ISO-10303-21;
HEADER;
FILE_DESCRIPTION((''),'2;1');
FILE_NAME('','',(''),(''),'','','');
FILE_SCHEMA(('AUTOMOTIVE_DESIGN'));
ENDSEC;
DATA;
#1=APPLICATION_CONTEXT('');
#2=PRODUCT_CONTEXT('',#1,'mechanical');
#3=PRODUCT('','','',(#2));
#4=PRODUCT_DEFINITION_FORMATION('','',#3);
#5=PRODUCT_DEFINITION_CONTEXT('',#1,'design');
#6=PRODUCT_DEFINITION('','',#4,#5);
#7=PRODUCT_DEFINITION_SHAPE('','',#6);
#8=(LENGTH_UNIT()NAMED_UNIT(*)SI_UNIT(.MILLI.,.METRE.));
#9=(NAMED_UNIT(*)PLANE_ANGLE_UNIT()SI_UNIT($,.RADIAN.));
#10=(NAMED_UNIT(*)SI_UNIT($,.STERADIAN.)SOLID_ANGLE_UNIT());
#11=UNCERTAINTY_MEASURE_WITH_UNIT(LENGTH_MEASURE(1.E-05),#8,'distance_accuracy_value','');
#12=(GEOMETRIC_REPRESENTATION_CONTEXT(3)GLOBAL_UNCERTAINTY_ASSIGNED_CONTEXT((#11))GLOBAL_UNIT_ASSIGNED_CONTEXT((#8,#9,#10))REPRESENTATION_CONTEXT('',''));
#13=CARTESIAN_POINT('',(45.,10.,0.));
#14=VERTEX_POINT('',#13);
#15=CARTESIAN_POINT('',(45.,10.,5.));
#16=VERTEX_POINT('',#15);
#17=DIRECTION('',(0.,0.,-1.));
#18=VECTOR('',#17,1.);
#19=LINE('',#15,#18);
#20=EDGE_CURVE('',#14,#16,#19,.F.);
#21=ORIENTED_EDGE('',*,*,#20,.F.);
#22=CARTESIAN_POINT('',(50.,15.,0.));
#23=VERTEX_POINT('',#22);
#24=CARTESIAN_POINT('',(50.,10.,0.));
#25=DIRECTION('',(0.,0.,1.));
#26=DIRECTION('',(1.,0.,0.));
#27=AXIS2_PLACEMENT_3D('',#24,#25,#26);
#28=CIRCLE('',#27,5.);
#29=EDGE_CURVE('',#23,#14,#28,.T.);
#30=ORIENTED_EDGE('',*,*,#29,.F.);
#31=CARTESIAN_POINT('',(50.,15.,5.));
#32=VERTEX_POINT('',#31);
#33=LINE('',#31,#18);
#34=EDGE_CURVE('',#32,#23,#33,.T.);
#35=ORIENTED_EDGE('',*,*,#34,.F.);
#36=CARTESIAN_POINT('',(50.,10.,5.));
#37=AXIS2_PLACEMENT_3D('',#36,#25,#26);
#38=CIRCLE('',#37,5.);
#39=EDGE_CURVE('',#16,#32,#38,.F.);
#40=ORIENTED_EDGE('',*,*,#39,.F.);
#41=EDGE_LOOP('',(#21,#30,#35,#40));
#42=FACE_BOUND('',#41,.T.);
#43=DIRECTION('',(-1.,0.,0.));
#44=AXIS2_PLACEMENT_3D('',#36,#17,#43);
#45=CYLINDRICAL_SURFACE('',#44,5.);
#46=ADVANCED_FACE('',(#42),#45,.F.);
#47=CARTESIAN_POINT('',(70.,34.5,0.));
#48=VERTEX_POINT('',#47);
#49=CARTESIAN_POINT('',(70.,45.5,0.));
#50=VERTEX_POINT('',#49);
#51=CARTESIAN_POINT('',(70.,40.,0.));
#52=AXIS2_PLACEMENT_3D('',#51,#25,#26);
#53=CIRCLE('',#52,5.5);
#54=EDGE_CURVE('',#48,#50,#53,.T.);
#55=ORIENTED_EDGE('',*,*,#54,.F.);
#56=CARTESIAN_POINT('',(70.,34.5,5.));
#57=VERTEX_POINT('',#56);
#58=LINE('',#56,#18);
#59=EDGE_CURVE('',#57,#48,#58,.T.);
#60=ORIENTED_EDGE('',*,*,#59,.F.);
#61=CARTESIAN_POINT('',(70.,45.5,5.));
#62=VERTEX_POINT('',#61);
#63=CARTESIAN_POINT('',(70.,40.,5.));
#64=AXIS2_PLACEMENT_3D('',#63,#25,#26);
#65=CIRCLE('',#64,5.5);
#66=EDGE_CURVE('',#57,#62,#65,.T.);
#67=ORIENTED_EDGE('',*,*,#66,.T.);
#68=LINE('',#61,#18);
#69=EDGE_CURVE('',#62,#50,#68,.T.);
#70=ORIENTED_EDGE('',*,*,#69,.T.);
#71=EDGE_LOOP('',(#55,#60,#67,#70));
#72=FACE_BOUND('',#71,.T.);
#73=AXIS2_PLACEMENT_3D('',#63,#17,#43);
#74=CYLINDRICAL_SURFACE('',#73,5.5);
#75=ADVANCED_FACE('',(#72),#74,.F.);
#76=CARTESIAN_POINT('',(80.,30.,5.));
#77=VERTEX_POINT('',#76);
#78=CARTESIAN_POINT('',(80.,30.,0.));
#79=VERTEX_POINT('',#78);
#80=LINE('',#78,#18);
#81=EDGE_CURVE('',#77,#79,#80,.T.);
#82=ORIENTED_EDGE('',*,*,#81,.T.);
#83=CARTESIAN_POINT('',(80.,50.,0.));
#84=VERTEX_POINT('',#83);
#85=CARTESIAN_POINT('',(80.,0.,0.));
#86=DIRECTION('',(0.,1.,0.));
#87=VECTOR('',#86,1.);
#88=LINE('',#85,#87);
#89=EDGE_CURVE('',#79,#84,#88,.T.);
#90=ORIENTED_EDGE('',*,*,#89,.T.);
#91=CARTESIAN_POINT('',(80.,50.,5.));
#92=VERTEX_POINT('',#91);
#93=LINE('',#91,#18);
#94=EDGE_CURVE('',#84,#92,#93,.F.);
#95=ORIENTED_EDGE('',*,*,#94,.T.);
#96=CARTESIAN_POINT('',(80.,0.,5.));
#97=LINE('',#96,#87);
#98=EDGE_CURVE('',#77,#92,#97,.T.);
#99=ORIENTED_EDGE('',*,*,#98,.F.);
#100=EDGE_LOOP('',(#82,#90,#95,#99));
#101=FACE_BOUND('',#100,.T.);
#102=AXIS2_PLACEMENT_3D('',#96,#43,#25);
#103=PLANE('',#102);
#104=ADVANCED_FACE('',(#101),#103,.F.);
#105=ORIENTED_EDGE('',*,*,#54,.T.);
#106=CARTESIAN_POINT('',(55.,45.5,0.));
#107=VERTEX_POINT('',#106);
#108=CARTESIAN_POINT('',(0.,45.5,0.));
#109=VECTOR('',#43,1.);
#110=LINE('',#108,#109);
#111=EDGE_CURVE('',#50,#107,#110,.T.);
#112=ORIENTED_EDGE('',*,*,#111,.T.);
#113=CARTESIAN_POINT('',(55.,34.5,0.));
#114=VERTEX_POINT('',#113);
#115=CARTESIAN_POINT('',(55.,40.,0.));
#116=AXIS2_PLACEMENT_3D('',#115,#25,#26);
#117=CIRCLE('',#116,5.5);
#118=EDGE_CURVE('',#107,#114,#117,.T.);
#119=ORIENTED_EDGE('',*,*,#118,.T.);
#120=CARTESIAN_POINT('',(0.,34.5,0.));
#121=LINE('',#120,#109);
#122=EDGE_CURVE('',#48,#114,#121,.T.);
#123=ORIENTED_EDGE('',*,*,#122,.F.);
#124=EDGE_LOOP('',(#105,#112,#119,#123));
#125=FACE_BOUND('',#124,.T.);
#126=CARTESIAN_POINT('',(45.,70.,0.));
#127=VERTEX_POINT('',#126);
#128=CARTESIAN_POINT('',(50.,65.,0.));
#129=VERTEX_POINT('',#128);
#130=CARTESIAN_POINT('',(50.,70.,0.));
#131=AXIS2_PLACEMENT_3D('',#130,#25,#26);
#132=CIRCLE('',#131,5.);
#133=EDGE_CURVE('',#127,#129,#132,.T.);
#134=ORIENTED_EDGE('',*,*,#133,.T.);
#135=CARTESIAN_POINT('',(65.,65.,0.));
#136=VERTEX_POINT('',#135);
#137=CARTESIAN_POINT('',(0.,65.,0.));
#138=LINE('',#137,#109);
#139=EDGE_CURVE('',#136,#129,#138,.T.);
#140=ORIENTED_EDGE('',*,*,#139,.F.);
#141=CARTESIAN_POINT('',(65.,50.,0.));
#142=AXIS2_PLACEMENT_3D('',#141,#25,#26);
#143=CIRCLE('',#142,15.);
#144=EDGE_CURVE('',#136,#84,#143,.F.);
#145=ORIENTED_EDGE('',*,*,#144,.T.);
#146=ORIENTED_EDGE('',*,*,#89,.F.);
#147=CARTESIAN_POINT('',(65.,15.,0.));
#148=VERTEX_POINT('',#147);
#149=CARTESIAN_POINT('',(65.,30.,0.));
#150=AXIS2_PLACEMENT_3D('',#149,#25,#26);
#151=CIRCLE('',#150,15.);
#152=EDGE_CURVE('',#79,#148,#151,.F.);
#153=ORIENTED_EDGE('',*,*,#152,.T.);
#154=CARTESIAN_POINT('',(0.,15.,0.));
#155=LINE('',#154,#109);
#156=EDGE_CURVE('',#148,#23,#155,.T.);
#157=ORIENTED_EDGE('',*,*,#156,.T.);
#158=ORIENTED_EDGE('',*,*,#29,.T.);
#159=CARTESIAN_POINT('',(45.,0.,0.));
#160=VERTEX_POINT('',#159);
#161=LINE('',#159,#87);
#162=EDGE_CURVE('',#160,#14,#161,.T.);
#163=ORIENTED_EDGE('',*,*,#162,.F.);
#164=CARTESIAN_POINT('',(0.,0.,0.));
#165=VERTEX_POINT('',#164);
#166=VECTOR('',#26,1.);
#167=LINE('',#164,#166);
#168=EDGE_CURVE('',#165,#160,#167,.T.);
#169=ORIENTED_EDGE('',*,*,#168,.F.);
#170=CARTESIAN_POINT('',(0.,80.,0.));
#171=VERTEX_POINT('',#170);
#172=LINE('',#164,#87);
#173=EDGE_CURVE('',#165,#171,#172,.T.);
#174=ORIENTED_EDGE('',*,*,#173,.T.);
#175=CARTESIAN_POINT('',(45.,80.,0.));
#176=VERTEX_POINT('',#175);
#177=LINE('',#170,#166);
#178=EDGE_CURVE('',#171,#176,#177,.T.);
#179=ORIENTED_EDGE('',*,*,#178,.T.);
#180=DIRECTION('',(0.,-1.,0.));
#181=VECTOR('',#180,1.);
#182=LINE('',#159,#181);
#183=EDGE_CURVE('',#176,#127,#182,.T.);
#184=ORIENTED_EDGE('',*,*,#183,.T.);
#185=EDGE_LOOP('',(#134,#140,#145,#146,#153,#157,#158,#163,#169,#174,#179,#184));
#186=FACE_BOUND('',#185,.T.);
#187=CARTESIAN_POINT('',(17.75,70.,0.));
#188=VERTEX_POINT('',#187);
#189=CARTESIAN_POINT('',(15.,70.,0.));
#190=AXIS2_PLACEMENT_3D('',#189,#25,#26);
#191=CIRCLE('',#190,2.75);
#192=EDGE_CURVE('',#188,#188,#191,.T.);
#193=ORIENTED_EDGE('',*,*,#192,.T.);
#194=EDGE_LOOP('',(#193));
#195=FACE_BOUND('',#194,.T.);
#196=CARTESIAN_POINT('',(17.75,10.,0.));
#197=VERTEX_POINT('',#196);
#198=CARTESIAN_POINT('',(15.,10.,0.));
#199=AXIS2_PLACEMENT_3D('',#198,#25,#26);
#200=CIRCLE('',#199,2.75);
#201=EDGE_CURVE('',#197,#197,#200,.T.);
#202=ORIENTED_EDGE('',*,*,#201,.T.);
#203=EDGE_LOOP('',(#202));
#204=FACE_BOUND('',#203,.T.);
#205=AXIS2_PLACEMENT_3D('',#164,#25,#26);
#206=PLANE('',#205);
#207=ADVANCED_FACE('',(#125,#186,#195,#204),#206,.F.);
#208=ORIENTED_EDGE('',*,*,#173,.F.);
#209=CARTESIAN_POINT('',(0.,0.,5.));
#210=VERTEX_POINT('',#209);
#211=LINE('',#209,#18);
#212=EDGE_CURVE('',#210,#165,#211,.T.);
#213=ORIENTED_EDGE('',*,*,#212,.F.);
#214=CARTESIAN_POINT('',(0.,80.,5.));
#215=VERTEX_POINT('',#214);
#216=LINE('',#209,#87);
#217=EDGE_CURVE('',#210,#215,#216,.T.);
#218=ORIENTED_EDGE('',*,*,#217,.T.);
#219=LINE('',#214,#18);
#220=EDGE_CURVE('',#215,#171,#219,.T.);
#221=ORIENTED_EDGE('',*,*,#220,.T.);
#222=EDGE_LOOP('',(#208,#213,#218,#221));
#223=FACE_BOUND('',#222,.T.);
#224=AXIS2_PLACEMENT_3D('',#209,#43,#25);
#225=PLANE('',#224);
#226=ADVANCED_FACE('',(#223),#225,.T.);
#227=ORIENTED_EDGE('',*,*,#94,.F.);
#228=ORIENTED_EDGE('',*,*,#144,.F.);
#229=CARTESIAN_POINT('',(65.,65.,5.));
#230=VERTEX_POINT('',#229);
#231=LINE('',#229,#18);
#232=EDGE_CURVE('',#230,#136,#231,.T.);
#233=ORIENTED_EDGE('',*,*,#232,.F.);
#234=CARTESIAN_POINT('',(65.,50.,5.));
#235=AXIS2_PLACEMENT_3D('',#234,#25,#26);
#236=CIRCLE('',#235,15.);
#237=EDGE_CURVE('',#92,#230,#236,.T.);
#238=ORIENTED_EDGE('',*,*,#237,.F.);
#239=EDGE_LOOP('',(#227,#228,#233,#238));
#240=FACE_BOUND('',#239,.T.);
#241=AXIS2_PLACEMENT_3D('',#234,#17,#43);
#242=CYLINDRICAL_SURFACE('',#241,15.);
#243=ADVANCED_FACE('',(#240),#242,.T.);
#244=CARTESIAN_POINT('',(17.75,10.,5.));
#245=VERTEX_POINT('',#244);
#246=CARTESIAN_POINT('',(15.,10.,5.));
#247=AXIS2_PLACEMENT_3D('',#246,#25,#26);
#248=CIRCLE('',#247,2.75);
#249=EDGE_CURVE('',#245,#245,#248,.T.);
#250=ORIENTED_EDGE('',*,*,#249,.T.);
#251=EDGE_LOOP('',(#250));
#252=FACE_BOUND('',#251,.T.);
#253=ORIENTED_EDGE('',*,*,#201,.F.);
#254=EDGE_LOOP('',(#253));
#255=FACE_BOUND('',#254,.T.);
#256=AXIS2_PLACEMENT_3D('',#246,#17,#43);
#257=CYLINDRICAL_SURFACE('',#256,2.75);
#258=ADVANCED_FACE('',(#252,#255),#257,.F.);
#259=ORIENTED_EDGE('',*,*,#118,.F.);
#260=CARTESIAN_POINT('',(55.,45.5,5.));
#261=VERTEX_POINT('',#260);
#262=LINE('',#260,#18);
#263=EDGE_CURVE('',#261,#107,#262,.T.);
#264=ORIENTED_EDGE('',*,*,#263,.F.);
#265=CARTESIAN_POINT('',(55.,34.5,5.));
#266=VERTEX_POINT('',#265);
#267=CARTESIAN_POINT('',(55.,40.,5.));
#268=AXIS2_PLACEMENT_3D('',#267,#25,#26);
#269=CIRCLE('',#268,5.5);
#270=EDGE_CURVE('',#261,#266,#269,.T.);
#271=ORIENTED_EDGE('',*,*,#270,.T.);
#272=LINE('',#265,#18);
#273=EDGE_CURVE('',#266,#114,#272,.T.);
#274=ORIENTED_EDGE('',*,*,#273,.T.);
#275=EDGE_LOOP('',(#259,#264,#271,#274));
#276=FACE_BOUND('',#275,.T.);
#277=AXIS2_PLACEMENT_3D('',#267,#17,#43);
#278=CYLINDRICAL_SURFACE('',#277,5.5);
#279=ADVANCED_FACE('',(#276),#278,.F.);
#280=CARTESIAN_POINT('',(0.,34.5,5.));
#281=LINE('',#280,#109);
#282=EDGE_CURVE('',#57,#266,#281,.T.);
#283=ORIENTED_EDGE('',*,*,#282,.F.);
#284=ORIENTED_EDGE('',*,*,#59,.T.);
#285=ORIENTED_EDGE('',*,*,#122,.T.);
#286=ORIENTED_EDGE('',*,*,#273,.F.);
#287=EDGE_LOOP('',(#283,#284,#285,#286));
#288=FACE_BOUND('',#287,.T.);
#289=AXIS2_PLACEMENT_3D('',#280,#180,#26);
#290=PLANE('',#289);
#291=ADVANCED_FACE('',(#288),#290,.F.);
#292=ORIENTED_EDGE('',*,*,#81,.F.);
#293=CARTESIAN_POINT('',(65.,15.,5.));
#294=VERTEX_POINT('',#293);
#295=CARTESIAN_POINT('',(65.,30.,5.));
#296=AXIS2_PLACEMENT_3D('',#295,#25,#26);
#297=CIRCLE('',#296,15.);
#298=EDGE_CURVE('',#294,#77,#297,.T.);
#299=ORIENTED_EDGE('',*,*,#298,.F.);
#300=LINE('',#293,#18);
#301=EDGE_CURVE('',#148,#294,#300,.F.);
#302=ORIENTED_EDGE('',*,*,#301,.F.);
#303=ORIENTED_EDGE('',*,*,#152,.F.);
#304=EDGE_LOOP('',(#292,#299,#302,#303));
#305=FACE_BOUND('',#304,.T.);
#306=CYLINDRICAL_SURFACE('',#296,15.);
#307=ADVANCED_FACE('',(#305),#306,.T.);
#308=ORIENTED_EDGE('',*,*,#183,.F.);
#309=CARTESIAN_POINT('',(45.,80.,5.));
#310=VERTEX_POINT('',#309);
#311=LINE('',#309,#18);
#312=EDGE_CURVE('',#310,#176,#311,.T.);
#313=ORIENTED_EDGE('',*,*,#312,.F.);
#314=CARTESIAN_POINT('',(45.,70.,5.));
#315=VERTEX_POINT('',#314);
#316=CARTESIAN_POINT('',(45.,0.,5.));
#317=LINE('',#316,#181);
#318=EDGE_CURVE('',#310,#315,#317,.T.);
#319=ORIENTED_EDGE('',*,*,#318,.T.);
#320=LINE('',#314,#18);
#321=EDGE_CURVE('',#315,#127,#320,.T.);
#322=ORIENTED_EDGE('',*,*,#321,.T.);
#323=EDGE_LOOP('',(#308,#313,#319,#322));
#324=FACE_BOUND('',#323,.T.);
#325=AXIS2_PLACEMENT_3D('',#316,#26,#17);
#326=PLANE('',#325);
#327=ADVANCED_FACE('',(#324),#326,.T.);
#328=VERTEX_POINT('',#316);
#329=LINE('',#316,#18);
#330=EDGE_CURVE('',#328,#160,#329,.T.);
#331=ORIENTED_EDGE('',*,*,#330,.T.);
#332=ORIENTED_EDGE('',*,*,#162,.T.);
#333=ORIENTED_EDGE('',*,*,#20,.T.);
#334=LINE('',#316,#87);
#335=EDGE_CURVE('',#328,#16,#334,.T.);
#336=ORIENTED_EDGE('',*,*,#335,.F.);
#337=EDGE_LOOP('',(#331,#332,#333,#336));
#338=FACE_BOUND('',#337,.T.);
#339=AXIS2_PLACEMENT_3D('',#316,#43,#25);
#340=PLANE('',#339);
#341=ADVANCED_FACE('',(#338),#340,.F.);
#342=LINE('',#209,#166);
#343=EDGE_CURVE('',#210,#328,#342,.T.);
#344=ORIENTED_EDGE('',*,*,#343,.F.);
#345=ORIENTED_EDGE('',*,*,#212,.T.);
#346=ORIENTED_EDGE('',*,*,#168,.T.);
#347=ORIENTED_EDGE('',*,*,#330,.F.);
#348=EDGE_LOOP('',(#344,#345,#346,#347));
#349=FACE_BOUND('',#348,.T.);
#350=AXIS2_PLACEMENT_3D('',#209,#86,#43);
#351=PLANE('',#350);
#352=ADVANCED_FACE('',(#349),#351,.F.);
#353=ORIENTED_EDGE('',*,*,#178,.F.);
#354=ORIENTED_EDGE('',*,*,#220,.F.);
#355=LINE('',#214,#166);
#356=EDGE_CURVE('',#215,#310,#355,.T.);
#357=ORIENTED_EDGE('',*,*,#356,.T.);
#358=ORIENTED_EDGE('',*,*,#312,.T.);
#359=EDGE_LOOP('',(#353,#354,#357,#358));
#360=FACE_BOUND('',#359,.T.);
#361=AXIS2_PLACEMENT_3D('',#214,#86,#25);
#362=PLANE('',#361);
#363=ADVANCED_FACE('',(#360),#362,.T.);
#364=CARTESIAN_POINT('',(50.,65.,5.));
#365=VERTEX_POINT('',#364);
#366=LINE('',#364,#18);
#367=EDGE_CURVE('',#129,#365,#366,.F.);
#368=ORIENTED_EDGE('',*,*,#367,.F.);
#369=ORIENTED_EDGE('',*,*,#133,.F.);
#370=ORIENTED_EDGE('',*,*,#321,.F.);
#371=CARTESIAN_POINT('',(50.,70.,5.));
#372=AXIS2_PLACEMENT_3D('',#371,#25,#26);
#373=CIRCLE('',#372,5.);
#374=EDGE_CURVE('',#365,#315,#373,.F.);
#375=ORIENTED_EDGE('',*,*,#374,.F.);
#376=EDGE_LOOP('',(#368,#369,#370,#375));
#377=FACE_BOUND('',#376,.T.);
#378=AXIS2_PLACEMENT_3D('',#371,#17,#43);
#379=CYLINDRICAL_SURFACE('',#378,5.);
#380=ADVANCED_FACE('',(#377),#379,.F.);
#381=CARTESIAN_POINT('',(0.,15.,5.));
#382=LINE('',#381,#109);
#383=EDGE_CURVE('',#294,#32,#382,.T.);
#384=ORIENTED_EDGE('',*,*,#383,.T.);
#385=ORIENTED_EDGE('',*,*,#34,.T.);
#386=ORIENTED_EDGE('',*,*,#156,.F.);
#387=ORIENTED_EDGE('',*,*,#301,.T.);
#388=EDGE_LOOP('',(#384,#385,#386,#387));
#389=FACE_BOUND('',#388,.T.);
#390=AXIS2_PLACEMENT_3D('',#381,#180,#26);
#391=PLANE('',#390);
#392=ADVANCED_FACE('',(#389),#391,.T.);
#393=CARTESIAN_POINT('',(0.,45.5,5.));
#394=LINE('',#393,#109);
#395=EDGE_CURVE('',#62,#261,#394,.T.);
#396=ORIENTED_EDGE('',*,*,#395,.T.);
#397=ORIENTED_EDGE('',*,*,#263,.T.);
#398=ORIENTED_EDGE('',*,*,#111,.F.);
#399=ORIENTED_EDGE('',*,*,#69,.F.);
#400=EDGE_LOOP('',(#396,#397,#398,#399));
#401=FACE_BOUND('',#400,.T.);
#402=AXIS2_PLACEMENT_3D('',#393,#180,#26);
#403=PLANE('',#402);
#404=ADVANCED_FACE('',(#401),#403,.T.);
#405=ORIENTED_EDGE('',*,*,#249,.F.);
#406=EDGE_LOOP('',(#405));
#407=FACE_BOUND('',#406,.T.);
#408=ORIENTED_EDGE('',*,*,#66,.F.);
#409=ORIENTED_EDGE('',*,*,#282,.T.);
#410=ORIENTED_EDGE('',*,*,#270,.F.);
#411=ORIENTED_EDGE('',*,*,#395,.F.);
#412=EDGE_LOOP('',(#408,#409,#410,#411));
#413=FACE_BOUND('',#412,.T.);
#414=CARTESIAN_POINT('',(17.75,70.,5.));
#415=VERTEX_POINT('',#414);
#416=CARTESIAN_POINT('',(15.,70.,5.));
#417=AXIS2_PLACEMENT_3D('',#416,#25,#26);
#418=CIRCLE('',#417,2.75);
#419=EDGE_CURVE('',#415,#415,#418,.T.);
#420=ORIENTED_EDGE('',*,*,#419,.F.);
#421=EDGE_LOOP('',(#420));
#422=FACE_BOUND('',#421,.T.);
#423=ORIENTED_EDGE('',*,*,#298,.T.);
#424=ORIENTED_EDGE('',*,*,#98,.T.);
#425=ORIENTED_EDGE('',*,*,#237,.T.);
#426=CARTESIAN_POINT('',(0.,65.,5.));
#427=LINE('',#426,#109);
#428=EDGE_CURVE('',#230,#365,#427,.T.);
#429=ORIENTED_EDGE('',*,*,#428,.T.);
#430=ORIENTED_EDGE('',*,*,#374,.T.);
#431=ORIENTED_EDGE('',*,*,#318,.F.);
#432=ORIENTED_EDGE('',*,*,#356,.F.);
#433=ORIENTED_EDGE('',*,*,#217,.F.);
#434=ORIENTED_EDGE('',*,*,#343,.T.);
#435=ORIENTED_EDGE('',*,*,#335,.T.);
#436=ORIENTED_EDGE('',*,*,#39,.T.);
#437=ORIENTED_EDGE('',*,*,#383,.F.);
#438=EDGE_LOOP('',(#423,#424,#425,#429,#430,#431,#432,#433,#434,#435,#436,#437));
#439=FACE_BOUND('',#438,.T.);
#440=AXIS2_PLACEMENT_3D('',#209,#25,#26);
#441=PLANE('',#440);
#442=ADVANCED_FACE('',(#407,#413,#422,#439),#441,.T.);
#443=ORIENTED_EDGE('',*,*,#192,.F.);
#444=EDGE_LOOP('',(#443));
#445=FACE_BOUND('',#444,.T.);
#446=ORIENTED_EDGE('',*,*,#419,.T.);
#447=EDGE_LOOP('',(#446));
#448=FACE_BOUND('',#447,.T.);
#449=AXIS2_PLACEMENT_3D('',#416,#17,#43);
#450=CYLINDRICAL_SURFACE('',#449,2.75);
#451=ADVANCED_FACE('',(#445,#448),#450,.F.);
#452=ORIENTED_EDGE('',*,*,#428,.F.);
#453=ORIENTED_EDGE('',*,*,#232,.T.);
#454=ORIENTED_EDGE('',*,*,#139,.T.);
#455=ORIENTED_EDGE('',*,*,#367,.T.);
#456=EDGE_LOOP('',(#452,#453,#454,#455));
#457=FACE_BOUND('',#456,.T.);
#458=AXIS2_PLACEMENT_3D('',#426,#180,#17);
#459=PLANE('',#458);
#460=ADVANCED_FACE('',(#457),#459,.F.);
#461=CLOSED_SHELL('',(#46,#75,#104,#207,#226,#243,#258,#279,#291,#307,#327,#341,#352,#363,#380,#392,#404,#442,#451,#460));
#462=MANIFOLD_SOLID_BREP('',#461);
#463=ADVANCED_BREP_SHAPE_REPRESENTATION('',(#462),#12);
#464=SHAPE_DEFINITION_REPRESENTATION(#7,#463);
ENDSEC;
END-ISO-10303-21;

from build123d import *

# Parameters (mm, degrees)
ESQUISSE1_R        = 2.75
BOSS_EXTRU_1_DEPTH = 5
CONG_1_R           = 5
CONG_2_R           = 15


with BuildPart() as part:
    # Esquisse1 → Boss.-Extru.1 (new body)
    with BuildSketch(Plane.XY):
        Polygon((0, 80), (0, 0), (45, 0), (45, 15), (80, 15), (80, 65), (45, 65), (45, 80), align=None)
        with Locations((15, 10)):
            Circle(ESQUISSE1_R, mode=Mode.SUBTRACT)
        with Locations((15, 70)):
            Circle(ESQUISSE1_R, mode=Mode.SUBTRACT)
        with BuildLine():
            ThreePointArc((70, 45.5), (75.5, 40), (70, 34.5))
            Line((70, 34.5), (55, 34.5))
            ThreePointArc((55, 34.5), (49.5, 40), (55, 45.5))
            Line((55, 45.5), (70, 45.5))
        make_face(mode=Mode.SUBTRACT)
    extrude(amount=BOSS_EXTRU_1_DEPTH)

    # Congé1
    cong_1_edges = [part.edges().sort_by_distance(p)[0] for p in [
        (45, 65, 2.5),
        (45, 15, 2.5),
    ]]
    fillet(cong_1_edges, radius=CONG_1_R)

    # Congé2
    cong_2_edges = [part.edges().sort_by_distance(p)[0] for p in [
        (80, 65, 2.5),
        (80, 15, 2.5),
    ]]
    fillet(cong_2_edges, radius=CONG_2_R)


solid = part.part
